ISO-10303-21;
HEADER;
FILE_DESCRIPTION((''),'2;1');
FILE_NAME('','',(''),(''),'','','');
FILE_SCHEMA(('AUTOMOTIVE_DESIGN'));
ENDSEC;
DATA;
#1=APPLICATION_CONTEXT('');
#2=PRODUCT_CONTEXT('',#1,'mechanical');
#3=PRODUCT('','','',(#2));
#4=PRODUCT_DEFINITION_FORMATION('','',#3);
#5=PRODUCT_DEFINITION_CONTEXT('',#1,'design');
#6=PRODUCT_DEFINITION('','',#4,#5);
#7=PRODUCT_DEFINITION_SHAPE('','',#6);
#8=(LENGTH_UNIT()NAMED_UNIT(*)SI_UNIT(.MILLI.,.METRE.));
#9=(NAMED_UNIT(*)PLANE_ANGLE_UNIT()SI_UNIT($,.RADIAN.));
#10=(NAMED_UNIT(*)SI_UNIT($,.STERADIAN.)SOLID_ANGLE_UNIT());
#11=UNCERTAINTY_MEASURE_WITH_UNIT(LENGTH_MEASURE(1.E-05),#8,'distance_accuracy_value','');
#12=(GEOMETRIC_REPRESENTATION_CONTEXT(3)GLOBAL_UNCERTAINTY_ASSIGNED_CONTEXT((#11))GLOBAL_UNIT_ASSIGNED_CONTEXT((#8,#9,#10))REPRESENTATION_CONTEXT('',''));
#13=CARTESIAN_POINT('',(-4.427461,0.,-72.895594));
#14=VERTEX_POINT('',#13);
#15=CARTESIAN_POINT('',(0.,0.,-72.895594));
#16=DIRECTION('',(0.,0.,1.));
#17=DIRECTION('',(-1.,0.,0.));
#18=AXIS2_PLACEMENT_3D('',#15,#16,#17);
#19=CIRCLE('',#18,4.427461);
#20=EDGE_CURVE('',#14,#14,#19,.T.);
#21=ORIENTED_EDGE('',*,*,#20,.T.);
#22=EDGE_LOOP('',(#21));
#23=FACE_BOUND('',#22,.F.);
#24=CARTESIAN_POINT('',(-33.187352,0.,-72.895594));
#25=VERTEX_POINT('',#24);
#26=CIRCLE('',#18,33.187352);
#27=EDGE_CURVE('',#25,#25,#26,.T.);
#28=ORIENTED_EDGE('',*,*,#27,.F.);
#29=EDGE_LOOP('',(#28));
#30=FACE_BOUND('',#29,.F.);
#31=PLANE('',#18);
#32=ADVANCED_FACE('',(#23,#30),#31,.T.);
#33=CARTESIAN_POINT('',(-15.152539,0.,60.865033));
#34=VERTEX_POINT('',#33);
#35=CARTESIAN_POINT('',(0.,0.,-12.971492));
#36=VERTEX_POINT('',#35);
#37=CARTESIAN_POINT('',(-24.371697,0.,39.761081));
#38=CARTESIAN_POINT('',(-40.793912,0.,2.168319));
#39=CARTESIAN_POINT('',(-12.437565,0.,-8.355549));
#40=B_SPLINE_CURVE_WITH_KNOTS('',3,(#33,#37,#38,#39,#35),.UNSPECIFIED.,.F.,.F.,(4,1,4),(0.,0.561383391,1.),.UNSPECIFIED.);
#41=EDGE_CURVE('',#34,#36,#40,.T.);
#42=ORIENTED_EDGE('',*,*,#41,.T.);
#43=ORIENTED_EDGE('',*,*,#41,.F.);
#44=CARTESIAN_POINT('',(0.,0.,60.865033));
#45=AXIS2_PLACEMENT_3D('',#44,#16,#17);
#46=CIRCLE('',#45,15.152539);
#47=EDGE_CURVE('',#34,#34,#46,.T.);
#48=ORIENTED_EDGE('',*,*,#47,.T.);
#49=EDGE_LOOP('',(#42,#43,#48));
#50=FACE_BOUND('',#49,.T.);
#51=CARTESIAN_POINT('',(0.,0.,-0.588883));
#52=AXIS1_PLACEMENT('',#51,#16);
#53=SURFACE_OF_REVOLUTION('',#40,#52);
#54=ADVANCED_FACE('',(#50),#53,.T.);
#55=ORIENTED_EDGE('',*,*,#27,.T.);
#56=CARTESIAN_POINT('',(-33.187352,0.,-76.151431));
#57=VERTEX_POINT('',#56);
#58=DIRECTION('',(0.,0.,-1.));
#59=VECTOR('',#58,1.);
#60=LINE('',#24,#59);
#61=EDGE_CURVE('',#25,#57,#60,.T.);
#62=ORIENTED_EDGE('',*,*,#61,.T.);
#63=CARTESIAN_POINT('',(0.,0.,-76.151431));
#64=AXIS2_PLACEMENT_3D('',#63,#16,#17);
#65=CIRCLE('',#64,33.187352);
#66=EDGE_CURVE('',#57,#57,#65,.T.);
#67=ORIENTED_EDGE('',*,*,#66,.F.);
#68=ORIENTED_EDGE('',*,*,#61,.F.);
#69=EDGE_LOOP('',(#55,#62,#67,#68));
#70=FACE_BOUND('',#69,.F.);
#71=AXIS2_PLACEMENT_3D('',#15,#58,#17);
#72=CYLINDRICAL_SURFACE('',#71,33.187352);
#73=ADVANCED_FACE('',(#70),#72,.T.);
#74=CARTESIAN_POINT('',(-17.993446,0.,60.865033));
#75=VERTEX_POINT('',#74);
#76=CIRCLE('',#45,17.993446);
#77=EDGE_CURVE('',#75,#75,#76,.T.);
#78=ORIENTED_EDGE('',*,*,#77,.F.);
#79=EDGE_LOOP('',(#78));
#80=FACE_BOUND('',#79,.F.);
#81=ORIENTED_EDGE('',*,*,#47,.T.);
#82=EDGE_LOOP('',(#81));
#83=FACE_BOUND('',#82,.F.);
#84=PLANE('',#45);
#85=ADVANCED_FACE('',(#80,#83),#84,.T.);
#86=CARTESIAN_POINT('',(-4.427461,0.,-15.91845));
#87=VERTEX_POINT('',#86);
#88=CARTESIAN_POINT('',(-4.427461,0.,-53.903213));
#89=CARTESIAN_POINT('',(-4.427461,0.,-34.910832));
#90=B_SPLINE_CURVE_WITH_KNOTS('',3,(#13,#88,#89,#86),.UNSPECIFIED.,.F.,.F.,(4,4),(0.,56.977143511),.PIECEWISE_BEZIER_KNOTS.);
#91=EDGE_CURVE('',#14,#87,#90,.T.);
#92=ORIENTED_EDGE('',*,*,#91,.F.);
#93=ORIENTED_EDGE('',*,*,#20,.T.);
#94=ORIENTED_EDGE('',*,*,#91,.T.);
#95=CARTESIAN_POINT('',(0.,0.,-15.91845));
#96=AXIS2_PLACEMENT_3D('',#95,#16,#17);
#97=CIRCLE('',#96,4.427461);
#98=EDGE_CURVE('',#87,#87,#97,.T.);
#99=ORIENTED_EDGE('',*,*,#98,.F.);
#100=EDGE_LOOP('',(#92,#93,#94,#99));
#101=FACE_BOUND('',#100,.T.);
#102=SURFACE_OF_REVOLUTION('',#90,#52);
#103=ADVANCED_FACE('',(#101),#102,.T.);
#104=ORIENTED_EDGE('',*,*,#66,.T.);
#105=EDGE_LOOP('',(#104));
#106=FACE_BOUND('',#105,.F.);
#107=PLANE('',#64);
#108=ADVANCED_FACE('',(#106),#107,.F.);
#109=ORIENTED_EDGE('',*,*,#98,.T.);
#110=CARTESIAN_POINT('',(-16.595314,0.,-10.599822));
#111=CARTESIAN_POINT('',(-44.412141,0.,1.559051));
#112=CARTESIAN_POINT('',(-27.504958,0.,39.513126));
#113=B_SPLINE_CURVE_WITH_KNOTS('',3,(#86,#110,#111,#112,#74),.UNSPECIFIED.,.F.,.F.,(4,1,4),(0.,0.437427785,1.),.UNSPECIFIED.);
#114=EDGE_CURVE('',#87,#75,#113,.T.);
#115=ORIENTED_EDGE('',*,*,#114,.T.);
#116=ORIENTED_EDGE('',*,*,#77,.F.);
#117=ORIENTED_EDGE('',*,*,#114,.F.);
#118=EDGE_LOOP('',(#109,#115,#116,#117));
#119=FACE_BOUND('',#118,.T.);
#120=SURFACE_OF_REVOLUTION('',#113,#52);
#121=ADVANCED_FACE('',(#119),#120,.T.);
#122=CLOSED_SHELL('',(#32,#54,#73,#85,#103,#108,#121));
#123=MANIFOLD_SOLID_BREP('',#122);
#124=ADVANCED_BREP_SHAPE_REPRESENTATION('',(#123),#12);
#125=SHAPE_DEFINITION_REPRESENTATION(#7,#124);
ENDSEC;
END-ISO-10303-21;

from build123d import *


with BuildPart() as f1:
    # F0 (on Front) → F1 (revolve)
    with BuildSketch(Plane.XZ):
        with BuildLine():
            Line((-33.1873521209, -76.1514306068), (0, -76.1514306068))
            Line((0, -76.1514306068), (0, -12.9714915529))
            add(Edge.make_bspline(
                [(-15.1525391266, 60.8650334179), (-24.371697413, 39.7610810931), (-40.7939116072, 2.1683188633), (-12.4375647234, -8.3555485228), (0, -12.9714915529)],
                knots=[0, 0, 0, 0, 0.5613833907, 1, 1, 1, 1], degree=3))
            Line((-15.1525391266, 60.8650334179), (-17.9934464395, 60.8650334179))
            add(Edge.make_bspline(
                [(-4.4274614193, -15.91845043), (-16.5953144129, -10.5998216497), (-44.4121413216, 1.5590510988), (-27.5049580013, 39.5131256484), (-17.9934464395, 60.8650334179)],
                knots=[0, 0, 0, 0, 0.4374277855, 1, 1, 1, 1], degree=3))
            add(Edge.make_bspline(
                [(-4.4274614193, -72.8955939412), (-4.4274614193, -53.9032127708), (-4.4274614193, -34.9108316004), (-4.4274614193, -15.91845043)],
                knots=[0, 0, 0, 0, 56.9771435112, 56.9771435112, 56.9771435112, 56.9771435112], degree=3))
            Line((-4.4274614193, -72.8955939412), (-33.1873521209, -72.8955939412))
            Line((-33.1873521209, -72.8955939412), (-33.1873521209, -76.1514306068))
        make_face()
    revolve(axis=Axis((0, 0, -0.5888827145), (0, 0, 1)))


solid = f1.part
